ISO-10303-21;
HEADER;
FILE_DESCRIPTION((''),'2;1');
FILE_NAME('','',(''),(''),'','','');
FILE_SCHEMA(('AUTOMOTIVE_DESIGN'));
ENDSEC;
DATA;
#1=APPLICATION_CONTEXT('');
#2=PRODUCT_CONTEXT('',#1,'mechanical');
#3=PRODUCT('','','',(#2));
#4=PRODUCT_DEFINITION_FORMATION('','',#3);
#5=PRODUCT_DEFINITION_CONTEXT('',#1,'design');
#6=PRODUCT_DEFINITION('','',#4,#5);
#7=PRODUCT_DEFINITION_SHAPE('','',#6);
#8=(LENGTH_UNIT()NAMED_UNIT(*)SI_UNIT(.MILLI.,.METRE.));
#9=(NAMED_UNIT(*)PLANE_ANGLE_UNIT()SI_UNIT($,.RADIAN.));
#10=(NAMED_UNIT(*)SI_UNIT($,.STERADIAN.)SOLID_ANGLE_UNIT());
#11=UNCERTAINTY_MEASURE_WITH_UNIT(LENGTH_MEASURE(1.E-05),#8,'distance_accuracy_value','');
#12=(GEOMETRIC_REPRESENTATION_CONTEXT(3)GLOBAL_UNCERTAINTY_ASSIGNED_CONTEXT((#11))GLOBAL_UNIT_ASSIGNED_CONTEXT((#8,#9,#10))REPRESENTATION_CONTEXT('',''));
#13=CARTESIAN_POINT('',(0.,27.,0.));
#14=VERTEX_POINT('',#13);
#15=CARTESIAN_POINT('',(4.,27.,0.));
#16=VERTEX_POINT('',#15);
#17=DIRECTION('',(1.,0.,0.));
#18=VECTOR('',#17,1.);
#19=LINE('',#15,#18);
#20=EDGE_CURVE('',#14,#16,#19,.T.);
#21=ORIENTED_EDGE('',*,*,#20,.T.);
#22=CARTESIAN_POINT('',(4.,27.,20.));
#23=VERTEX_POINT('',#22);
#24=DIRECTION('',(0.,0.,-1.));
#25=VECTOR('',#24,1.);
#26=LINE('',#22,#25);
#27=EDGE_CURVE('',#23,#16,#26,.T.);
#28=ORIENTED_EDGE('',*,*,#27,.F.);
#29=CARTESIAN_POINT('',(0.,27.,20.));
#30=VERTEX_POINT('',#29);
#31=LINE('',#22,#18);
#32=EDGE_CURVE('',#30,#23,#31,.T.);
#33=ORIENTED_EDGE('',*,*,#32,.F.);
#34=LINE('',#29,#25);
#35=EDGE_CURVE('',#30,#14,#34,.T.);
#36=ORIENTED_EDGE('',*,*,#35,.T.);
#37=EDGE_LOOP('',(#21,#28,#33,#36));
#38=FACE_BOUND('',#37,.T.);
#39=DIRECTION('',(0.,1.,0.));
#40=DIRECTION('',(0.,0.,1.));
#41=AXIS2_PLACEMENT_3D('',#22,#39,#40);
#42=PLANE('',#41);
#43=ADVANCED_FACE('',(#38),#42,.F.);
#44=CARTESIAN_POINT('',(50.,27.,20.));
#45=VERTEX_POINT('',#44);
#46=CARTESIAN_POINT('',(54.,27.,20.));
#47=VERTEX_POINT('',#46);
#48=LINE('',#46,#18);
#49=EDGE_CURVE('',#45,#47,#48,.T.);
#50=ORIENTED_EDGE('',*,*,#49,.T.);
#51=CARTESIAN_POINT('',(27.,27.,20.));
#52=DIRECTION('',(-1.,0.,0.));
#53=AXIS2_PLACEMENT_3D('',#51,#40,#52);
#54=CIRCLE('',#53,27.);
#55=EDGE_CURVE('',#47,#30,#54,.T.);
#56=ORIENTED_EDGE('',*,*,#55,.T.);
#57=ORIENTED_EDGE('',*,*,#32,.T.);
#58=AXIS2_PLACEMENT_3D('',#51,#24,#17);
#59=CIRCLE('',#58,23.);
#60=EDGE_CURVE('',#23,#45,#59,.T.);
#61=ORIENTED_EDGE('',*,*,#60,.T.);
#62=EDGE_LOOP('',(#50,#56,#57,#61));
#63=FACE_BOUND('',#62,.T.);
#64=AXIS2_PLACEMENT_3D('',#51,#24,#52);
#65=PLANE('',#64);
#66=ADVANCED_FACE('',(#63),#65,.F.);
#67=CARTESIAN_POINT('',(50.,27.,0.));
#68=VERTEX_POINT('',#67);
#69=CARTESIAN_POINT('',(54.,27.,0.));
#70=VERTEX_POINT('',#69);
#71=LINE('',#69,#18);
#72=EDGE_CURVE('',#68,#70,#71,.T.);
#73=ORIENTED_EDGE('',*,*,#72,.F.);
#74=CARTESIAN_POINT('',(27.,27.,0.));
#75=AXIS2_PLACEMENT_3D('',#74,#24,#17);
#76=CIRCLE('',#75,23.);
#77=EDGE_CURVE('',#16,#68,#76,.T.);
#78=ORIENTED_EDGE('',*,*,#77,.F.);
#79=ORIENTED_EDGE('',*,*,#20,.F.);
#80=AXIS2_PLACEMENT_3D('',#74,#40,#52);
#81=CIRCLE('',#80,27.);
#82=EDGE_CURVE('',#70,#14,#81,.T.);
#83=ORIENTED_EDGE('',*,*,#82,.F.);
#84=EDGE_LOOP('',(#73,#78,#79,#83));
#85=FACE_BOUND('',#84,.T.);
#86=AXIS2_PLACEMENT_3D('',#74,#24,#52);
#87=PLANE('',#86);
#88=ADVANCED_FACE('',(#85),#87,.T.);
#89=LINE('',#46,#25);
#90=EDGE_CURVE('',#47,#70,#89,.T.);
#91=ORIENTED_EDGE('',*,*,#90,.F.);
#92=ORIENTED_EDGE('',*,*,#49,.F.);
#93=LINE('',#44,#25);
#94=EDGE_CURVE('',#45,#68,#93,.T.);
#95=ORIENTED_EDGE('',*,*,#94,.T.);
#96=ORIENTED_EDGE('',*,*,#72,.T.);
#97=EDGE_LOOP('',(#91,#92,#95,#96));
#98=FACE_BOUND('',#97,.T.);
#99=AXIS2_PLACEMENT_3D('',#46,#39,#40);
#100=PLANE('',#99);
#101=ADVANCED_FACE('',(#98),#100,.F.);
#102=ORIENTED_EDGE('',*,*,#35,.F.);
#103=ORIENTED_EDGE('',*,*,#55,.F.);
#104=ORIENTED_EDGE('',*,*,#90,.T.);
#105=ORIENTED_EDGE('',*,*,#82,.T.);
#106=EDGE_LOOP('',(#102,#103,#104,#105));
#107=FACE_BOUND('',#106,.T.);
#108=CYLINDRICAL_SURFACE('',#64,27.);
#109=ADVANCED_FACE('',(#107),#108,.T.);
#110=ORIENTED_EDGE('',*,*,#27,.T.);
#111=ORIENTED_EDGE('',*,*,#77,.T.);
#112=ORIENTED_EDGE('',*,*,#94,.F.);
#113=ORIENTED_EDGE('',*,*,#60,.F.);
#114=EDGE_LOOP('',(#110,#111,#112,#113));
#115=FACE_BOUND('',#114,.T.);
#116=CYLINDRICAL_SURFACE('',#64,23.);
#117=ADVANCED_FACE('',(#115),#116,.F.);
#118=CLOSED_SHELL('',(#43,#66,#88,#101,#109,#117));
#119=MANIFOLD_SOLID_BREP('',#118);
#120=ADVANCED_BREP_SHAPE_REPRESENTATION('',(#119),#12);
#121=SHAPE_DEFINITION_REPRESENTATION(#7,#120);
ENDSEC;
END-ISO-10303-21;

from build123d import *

# Parameters (mm, degrees)
PROFILE_DEPTH = 20


with BuildPart() as part:
    # Sketch1 → Profile (new body)
    with BuildSketch(Plane.XY):
        with BuildLine():
            Line((54, 27), (50, 27))
            ThreePointArc((50, 27), (27, 50), (4, 27))
            Line((4, 27), (0, 27))
            ThreePointArc((0, 27), (27, 54), (54, 27))
        make_face()
    extrude(amount=PROFILE_DEPTH)


solid = part.part
